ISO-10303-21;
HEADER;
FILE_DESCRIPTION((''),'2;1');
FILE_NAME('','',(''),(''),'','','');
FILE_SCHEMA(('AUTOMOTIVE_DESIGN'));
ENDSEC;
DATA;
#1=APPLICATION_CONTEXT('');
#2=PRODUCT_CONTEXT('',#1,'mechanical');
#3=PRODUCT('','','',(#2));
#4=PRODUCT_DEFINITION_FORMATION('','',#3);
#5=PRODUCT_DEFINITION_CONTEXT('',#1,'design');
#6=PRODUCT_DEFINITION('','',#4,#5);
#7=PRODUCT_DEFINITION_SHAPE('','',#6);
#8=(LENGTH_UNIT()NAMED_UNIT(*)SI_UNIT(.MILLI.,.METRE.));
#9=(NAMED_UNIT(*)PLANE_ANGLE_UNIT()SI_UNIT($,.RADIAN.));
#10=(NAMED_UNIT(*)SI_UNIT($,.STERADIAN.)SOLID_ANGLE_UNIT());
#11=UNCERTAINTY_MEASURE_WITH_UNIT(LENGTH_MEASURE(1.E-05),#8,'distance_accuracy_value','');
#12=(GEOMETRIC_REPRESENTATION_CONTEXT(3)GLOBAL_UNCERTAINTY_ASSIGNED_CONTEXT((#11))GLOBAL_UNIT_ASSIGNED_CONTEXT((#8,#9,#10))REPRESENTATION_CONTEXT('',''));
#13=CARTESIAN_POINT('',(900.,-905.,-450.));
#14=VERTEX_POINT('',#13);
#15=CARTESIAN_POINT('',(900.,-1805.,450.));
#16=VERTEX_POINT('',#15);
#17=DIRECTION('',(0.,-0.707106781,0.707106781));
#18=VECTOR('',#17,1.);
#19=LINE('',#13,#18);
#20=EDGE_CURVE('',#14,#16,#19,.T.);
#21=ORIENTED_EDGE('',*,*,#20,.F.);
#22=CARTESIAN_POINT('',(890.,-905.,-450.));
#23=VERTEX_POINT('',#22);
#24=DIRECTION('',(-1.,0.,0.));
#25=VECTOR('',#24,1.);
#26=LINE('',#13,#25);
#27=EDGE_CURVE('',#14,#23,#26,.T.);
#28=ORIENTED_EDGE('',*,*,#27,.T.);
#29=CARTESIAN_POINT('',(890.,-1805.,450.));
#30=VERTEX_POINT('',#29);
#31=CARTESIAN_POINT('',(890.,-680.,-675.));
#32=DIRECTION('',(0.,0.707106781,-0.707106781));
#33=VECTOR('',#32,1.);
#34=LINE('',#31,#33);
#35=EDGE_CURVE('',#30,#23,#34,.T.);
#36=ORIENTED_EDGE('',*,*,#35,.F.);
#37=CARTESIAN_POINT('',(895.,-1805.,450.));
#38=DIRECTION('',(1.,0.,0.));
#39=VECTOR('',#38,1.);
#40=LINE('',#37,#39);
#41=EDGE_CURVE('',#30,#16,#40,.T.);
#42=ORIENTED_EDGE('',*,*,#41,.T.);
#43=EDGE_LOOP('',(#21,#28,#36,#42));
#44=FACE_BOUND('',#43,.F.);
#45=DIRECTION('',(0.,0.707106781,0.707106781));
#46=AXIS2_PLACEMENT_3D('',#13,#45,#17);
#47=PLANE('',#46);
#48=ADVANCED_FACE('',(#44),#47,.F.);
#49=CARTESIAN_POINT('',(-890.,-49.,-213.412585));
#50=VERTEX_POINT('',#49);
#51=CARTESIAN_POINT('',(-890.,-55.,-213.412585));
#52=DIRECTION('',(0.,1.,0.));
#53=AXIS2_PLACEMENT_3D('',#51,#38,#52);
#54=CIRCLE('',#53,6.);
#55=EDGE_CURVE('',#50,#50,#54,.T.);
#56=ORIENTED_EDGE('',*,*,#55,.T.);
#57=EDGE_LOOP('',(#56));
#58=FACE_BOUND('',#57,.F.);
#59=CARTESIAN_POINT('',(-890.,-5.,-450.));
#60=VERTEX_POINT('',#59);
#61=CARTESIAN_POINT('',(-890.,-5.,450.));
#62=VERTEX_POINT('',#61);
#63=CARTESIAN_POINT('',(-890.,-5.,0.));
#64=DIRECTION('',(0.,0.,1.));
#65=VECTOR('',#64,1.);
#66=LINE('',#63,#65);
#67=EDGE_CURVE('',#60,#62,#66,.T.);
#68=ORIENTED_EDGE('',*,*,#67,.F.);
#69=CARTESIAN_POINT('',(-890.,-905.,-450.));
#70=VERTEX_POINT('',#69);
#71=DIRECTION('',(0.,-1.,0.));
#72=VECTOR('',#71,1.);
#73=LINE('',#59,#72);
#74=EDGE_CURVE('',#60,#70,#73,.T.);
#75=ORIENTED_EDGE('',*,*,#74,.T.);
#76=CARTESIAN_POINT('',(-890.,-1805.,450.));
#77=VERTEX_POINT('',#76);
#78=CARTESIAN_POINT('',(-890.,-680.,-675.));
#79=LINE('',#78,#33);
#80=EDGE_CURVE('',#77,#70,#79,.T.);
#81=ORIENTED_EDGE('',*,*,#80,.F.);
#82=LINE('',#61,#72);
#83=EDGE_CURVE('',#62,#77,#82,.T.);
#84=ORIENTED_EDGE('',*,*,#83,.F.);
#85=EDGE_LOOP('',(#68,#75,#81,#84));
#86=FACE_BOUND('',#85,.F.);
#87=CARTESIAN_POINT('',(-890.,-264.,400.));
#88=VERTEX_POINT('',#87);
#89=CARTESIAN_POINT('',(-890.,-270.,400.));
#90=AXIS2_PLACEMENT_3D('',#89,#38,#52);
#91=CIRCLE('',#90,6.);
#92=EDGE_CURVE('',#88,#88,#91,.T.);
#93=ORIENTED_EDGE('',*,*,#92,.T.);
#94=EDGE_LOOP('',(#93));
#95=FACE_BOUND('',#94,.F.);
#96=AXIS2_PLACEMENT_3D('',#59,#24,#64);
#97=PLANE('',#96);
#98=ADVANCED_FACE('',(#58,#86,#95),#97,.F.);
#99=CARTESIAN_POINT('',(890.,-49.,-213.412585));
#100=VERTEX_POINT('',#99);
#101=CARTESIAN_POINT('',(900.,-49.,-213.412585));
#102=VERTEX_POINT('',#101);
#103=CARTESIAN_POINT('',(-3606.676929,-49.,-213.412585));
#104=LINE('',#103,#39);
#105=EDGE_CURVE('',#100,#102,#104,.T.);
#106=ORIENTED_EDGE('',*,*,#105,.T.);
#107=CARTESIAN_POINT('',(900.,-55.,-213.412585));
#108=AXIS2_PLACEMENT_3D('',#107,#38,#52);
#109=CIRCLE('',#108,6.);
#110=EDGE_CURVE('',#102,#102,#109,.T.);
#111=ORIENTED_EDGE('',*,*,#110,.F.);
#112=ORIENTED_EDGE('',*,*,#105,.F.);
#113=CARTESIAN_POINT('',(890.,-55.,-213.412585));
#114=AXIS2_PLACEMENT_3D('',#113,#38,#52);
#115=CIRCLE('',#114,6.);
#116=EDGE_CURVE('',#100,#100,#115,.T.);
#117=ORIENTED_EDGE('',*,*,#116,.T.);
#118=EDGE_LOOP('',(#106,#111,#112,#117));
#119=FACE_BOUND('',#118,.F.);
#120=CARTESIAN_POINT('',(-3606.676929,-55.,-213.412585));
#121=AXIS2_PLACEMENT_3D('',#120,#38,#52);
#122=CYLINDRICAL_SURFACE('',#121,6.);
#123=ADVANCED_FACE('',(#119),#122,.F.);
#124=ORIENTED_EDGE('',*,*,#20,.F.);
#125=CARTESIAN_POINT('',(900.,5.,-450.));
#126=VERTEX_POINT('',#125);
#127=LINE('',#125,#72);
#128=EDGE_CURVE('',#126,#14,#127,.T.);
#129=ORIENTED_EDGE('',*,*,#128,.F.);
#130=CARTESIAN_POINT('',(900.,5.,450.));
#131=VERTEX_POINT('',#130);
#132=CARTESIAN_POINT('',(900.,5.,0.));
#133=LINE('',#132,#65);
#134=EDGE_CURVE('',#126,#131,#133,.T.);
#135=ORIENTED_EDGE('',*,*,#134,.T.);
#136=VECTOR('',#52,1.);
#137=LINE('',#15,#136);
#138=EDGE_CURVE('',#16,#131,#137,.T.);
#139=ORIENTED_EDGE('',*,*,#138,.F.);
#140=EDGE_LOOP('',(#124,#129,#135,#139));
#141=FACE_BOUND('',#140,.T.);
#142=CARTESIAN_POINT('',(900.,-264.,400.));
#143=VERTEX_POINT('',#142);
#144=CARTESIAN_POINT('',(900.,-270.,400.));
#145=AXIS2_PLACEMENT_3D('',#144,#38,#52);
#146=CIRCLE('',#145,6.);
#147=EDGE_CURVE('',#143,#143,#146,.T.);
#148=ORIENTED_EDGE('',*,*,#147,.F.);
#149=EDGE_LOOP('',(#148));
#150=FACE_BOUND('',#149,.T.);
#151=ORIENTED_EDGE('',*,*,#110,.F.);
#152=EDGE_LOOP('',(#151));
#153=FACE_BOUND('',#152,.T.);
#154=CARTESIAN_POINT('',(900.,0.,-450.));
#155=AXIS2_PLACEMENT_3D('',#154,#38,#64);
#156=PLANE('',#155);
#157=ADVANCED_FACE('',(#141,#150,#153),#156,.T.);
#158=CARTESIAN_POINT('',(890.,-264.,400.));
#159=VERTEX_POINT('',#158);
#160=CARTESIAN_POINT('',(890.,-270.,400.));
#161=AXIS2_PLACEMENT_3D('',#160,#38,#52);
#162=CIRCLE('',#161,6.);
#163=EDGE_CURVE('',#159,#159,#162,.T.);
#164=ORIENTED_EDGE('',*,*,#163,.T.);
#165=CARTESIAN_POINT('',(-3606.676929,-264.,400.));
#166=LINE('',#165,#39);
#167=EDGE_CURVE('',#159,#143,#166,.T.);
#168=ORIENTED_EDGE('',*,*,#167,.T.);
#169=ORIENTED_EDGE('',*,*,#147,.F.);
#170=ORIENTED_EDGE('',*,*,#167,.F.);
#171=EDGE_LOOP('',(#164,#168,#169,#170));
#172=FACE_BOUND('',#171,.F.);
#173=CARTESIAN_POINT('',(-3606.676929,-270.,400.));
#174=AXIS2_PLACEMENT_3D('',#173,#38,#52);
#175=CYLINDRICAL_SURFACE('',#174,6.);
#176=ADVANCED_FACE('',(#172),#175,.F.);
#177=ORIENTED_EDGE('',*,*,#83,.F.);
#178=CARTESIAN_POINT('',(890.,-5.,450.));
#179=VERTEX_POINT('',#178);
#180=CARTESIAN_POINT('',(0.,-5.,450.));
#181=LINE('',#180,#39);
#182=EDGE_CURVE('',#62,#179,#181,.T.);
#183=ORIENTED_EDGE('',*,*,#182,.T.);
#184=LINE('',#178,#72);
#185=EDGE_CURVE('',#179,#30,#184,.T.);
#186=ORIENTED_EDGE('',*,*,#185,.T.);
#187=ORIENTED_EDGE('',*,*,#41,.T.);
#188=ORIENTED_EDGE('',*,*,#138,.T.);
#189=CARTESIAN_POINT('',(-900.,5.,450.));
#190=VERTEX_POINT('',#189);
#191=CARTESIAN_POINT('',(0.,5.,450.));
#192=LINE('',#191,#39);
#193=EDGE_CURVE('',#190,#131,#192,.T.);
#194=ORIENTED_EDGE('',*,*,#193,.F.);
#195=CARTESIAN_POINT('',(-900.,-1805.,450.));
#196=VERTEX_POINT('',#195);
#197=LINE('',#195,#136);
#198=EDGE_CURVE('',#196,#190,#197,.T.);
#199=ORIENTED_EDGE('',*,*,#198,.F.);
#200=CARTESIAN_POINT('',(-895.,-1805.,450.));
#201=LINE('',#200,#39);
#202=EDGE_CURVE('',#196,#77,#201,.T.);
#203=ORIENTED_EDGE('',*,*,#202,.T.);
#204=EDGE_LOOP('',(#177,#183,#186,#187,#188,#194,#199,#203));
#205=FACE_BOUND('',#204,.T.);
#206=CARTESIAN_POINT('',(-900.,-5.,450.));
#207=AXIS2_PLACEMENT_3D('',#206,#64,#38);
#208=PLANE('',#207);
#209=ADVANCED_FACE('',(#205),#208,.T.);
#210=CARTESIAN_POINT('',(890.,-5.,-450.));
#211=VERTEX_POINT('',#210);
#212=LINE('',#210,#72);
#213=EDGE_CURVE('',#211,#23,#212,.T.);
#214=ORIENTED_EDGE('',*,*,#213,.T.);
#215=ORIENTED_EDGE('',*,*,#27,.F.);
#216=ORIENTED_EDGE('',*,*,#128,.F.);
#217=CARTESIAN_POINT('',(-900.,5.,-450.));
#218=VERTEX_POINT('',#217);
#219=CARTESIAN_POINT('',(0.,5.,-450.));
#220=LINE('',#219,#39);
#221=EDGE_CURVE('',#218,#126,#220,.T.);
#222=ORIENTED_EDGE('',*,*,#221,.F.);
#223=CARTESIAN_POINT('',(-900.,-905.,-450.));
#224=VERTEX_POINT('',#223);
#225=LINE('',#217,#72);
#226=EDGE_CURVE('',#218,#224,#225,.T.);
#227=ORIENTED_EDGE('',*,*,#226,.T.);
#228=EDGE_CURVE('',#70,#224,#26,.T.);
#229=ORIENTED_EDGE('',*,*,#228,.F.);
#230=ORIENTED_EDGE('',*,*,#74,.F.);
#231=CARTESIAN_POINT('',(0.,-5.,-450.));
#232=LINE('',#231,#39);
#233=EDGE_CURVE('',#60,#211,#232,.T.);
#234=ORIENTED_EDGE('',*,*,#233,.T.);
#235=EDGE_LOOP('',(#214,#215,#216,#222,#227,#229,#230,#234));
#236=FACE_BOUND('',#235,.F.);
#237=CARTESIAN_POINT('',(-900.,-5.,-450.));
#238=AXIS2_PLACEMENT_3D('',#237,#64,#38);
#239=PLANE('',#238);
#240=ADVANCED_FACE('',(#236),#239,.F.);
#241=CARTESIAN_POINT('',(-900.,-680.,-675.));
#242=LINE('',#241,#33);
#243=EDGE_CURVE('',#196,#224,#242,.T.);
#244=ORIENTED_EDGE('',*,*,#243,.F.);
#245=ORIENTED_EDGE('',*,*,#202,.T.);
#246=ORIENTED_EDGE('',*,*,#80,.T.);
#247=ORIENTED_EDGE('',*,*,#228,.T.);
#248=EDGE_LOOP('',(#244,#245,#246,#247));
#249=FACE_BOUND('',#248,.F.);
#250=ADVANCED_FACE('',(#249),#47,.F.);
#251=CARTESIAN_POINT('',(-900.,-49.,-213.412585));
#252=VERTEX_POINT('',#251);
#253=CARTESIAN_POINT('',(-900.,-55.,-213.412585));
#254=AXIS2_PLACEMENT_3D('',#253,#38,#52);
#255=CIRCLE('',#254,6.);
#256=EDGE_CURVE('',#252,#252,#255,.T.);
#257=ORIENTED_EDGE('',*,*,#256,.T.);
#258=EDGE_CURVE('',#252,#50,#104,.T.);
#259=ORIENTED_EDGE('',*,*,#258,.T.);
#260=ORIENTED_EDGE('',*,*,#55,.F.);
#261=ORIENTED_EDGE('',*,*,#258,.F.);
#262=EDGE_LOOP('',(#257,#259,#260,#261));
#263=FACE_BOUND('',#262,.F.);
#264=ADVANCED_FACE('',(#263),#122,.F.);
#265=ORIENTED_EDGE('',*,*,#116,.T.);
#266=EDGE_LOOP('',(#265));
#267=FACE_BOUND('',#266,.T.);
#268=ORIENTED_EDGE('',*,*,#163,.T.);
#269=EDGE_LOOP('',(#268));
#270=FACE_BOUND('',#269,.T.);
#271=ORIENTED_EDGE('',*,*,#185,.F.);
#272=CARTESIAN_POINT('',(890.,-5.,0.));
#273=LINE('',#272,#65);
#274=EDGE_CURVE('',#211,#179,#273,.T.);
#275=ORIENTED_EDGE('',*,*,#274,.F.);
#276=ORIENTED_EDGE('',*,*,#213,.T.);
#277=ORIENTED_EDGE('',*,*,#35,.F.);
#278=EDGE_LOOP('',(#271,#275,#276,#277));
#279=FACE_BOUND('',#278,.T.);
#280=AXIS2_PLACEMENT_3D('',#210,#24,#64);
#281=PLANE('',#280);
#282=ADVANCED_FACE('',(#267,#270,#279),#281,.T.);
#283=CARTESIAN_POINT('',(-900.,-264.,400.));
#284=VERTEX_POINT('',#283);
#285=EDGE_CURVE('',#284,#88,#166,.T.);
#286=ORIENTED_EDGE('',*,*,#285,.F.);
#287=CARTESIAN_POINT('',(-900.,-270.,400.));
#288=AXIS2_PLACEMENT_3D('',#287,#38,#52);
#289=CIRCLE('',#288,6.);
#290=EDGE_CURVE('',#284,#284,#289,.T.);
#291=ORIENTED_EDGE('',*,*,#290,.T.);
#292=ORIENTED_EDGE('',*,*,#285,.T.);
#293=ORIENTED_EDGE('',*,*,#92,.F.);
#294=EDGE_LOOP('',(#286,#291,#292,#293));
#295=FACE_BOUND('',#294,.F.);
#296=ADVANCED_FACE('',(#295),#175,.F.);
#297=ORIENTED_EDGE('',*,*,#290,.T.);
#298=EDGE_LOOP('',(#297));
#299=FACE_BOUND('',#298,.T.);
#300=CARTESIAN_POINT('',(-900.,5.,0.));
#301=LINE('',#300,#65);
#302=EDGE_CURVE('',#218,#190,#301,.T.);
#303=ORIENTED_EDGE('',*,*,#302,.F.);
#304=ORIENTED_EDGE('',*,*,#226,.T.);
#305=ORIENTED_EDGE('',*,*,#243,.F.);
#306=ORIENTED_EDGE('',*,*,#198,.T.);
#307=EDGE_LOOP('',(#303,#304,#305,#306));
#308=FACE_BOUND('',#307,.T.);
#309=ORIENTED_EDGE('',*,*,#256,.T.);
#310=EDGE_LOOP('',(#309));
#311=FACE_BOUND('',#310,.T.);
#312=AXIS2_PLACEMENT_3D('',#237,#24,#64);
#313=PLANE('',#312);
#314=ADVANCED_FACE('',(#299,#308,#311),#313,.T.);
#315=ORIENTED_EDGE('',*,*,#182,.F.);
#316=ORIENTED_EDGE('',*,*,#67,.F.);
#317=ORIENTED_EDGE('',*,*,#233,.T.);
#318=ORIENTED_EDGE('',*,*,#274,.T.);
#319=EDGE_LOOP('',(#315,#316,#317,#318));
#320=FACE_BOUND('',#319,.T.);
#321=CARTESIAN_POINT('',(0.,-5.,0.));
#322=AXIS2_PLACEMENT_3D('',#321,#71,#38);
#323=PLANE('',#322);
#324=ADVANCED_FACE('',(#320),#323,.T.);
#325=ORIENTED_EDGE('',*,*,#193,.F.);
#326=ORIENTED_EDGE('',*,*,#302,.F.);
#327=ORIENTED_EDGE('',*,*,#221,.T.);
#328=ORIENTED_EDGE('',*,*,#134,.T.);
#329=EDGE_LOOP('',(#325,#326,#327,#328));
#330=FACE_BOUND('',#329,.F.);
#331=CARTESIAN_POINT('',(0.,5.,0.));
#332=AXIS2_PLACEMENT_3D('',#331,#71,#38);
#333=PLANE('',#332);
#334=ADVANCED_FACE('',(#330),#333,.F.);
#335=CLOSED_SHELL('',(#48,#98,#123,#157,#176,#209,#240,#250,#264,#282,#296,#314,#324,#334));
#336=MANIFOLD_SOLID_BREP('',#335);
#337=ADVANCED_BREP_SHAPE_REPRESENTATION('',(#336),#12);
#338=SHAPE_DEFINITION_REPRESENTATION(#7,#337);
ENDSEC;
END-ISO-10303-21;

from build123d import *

# Parameters (mm, degrees)
F0_W     = 1800
F0_H     = 900
F1_DEPTH = 5
F2_W     = 10
F2_H     = 900
F3_DEPTH = 1800
F5_DEPTH = 1800.001
F7_D     = 12


with BuildPart() as f1:
    # F0 (on Front) → F1 (new body, symmetric)
    with BuildSketch(Plane.XZ):
        Rectangle(F0_W, F0_H)
    extrude(amount=F1_DEPTH, both=True)

    # F2 (on face) → F3 (join)
    with BuildSketch(Plane.XZ.offset(5)):
        with Locations((-895, 0)):
            Rectangle(F2_W, F2_H)
        with Locations((895, 0)):
            Rectangle(F2_W, F2_H)
    extrude(amount=F3_DEPTH)

    # F4 (on face) → F5 (cut, through all)
    with BuildSketch(Plane.YZ.offset(900)):
        Polygon((-905, -450), (-1805, 450), (-1805, -450), align=None)
    extrude(amount=-F5_DEPTH, mode=Mode.SUBTRACT)

    # F7 (through all)
    with Locations(Plane(origin=(-900, 0, 0), x_dir=(0, -1, 0), z_dir=(-1, 0, 0))):
        with Locations((270, 400), (55, -213.412585)):
            Hole(F7_D / 2)


solid = f1.part
